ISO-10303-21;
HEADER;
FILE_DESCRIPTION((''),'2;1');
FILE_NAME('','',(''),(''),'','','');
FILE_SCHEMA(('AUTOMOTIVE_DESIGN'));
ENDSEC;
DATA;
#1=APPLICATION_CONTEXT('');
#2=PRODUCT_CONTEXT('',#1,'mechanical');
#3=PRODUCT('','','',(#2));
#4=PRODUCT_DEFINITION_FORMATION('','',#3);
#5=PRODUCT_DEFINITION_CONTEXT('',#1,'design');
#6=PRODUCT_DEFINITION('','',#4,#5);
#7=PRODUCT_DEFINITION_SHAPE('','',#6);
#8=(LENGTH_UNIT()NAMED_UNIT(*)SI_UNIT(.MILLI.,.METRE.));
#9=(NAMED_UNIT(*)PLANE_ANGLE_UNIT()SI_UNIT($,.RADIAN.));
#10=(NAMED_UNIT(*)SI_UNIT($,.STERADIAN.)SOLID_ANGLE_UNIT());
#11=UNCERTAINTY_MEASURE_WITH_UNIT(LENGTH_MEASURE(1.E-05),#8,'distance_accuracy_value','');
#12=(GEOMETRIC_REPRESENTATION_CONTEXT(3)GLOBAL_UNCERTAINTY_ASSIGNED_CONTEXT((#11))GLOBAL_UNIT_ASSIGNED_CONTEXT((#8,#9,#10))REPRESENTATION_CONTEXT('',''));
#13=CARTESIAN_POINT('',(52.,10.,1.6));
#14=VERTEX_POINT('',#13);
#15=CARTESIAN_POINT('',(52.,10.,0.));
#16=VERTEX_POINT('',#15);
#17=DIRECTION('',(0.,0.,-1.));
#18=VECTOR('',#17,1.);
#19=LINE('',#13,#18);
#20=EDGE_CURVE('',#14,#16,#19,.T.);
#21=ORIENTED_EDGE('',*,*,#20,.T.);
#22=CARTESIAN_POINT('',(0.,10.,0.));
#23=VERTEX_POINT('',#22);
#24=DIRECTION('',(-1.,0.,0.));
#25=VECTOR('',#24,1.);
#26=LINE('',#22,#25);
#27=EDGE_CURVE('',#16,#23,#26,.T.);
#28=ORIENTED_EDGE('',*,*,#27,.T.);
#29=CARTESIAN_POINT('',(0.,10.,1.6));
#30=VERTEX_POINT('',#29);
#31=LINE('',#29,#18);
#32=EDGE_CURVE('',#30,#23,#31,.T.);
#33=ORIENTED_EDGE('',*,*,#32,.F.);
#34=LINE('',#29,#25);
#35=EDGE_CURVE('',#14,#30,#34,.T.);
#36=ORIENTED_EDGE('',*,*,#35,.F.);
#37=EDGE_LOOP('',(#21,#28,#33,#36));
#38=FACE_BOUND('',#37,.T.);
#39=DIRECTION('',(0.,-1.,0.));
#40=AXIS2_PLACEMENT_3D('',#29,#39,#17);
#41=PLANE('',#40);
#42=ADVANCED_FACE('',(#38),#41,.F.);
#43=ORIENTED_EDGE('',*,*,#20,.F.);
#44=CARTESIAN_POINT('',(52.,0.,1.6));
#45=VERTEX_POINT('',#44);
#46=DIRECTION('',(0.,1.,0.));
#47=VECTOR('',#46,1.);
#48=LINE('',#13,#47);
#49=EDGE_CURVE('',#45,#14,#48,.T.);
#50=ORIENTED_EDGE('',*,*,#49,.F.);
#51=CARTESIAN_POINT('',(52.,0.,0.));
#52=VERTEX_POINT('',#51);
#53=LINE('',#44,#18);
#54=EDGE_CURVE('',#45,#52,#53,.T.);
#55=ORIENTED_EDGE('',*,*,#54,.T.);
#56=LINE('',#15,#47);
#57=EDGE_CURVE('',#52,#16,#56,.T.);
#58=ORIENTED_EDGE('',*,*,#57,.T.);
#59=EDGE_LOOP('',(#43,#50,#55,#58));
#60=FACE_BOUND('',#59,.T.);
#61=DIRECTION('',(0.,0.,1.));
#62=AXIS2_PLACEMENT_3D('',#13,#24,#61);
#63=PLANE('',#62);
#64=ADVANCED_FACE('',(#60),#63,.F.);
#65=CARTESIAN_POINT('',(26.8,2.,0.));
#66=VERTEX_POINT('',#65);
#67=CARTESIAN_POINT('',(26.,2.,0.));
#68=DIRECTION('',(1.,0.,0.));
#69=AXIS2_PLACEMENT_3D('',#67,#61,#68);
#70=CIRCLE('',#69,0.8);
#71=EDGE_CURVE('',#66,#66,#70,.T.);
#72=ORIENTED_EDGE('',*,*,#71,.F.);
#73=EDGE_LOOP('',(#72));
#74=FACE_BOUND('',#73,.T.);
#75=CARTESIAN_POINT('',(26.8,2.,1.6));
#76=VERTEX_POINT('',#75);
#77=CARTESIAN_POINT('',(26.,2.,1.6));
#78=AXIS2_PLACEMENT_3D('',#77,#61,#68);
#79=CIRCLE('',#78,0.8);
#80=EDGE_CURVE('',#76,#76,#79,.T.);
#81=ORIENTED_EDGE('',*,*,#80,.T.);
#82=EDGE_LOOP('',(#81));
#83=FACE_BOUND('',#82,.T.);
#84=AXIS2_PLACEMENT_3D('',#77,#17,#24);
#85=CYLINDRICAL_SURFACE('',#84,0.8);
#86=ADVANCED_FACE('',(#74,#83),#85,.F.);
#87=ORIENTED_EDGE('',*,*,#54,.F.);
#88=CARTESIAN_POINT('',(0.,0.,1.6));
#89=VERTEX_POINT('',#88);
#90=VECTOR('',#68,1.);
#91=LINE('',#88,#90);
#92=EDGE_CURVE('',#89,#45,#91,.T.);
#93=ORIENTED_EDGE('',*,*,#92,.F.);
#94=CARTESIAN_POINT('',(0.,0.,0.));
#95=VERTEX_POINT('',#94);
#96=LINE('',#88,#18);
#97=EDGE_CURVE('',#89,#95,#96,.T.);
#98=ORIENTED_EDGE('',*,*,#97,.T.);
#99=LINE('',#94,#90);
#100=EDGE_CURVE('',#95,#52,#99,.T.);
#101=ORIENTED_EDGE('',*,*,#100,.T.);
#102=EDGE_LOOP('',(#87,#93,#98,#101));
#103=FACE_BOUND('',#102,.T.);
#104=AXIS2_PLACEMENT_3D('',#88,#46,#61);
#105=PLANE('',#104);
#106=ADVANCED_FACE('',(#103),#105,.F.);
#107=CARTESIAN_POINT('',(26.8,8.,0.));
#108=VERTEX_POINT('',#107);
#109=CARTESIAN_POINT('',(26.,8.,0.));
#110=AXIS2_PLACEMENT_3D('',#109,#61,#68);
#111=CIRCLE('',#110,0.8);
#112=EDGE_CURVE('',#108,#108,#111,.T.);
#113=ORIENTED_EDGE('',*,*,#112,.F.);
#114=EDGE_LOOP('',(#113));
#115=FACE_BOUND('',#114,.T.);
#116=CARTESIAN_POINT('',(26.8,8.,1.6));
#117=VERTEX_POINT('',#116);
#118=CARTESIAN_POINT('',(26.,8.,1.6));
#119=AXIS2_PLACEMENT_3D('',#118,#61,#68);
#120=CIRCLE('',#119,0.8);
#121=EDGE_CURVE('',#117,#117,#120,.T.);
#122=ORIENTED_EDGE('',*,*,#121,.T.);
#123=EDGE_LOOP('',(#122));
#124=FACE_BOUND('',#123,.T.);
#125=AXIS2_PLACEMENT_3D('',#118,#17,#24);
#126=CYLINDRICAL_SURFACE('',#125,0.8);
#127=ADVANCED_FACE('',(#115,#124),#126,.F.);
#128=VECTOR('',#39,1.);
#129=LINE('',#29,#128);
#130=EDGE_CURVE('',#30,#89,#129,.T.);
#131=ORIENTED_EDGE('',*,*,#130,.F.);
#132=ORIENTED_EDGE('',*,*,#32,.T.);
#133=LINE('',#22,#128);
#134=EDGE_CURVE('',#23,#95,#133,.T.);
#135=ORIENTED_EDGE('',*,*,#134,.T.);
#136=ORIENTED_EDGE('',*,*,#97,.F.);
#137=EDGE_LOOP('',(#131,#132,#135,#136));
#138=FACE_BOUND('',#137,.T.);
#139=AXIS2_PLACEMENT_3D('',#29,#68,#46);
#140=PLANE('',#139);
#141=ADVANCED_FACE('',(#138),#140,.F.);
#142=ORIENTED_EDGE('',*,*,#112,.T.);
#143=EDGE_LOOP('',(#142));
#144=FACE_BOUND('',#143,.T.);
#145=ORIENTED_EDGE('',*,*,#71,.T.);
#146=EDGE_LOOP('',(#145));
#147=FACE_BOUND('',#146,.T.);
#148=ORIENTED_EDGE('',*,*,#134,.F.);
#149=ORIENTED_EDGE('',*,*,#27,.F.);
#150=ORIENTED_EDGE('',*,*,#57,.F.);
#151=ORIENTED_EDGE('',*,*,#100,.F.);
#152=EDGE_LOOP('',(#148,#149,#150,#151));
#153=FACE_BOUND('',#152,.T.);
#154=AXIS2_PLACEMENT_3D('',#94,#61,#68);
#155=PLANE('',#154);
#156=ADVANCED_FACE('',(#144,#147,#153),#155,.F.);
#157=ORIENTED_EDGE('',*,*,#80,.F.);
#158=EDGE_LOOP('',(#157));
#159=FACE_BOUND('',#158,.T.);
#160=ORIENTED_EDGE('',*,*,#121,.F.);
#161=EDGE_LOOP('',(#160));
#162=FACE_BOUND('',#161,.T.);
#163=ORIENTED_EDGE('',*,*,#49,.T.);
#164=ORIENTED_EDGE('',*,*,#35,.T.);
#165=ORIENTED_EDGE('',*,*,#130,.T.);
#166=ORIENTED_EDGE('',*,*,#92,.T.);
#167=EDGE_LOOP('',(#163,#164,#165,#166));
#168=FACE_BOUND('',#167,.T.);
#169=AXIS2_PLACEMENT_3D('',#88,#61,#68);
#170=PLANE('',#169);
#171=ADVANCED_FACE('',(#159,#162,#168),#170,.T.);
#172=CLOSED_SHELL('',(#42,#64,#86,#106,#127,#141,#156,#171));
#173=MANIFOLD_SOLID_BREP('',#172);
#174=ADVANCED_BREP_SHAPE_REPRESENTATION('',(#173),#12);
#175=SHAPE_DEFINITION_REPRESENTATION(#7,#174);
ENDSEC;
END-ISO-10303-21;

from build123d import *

# Parameters (mm, degrees)
SKETCH_1_W          = 52
SKETCH_1_H          = 10
EXTRUDE_1_DEPTH     = 1.6
SKETCH_2_R          = 0.8
CUT_EXTRUDE_1_DEPTH = 1.6


with BuildPart() as part:
    # 草图1 → 凸台-拉伸1 (new body)
    with BuildSketch(Plane.XY):
        with Locations((26, 5)):
            Rectangle(SKETCH_1_W, SKETCH_1_H)
    extrude(amount=EXTRUDE_1_DEPTH)

    # 草图2 → 切除-拉伸1 (cut)
    with BuildSketch(Plane.XY):
        with Locations((26, 2)):
            Circle(SKETCH_2_R)
        with Locations((26, 8)):
            Circle(SKETCH_2_R)
    extrude(amount=CUT_EXTRUDE_1_DEPTH, mode=Mode.SUBTRACT)


solid = part.part
